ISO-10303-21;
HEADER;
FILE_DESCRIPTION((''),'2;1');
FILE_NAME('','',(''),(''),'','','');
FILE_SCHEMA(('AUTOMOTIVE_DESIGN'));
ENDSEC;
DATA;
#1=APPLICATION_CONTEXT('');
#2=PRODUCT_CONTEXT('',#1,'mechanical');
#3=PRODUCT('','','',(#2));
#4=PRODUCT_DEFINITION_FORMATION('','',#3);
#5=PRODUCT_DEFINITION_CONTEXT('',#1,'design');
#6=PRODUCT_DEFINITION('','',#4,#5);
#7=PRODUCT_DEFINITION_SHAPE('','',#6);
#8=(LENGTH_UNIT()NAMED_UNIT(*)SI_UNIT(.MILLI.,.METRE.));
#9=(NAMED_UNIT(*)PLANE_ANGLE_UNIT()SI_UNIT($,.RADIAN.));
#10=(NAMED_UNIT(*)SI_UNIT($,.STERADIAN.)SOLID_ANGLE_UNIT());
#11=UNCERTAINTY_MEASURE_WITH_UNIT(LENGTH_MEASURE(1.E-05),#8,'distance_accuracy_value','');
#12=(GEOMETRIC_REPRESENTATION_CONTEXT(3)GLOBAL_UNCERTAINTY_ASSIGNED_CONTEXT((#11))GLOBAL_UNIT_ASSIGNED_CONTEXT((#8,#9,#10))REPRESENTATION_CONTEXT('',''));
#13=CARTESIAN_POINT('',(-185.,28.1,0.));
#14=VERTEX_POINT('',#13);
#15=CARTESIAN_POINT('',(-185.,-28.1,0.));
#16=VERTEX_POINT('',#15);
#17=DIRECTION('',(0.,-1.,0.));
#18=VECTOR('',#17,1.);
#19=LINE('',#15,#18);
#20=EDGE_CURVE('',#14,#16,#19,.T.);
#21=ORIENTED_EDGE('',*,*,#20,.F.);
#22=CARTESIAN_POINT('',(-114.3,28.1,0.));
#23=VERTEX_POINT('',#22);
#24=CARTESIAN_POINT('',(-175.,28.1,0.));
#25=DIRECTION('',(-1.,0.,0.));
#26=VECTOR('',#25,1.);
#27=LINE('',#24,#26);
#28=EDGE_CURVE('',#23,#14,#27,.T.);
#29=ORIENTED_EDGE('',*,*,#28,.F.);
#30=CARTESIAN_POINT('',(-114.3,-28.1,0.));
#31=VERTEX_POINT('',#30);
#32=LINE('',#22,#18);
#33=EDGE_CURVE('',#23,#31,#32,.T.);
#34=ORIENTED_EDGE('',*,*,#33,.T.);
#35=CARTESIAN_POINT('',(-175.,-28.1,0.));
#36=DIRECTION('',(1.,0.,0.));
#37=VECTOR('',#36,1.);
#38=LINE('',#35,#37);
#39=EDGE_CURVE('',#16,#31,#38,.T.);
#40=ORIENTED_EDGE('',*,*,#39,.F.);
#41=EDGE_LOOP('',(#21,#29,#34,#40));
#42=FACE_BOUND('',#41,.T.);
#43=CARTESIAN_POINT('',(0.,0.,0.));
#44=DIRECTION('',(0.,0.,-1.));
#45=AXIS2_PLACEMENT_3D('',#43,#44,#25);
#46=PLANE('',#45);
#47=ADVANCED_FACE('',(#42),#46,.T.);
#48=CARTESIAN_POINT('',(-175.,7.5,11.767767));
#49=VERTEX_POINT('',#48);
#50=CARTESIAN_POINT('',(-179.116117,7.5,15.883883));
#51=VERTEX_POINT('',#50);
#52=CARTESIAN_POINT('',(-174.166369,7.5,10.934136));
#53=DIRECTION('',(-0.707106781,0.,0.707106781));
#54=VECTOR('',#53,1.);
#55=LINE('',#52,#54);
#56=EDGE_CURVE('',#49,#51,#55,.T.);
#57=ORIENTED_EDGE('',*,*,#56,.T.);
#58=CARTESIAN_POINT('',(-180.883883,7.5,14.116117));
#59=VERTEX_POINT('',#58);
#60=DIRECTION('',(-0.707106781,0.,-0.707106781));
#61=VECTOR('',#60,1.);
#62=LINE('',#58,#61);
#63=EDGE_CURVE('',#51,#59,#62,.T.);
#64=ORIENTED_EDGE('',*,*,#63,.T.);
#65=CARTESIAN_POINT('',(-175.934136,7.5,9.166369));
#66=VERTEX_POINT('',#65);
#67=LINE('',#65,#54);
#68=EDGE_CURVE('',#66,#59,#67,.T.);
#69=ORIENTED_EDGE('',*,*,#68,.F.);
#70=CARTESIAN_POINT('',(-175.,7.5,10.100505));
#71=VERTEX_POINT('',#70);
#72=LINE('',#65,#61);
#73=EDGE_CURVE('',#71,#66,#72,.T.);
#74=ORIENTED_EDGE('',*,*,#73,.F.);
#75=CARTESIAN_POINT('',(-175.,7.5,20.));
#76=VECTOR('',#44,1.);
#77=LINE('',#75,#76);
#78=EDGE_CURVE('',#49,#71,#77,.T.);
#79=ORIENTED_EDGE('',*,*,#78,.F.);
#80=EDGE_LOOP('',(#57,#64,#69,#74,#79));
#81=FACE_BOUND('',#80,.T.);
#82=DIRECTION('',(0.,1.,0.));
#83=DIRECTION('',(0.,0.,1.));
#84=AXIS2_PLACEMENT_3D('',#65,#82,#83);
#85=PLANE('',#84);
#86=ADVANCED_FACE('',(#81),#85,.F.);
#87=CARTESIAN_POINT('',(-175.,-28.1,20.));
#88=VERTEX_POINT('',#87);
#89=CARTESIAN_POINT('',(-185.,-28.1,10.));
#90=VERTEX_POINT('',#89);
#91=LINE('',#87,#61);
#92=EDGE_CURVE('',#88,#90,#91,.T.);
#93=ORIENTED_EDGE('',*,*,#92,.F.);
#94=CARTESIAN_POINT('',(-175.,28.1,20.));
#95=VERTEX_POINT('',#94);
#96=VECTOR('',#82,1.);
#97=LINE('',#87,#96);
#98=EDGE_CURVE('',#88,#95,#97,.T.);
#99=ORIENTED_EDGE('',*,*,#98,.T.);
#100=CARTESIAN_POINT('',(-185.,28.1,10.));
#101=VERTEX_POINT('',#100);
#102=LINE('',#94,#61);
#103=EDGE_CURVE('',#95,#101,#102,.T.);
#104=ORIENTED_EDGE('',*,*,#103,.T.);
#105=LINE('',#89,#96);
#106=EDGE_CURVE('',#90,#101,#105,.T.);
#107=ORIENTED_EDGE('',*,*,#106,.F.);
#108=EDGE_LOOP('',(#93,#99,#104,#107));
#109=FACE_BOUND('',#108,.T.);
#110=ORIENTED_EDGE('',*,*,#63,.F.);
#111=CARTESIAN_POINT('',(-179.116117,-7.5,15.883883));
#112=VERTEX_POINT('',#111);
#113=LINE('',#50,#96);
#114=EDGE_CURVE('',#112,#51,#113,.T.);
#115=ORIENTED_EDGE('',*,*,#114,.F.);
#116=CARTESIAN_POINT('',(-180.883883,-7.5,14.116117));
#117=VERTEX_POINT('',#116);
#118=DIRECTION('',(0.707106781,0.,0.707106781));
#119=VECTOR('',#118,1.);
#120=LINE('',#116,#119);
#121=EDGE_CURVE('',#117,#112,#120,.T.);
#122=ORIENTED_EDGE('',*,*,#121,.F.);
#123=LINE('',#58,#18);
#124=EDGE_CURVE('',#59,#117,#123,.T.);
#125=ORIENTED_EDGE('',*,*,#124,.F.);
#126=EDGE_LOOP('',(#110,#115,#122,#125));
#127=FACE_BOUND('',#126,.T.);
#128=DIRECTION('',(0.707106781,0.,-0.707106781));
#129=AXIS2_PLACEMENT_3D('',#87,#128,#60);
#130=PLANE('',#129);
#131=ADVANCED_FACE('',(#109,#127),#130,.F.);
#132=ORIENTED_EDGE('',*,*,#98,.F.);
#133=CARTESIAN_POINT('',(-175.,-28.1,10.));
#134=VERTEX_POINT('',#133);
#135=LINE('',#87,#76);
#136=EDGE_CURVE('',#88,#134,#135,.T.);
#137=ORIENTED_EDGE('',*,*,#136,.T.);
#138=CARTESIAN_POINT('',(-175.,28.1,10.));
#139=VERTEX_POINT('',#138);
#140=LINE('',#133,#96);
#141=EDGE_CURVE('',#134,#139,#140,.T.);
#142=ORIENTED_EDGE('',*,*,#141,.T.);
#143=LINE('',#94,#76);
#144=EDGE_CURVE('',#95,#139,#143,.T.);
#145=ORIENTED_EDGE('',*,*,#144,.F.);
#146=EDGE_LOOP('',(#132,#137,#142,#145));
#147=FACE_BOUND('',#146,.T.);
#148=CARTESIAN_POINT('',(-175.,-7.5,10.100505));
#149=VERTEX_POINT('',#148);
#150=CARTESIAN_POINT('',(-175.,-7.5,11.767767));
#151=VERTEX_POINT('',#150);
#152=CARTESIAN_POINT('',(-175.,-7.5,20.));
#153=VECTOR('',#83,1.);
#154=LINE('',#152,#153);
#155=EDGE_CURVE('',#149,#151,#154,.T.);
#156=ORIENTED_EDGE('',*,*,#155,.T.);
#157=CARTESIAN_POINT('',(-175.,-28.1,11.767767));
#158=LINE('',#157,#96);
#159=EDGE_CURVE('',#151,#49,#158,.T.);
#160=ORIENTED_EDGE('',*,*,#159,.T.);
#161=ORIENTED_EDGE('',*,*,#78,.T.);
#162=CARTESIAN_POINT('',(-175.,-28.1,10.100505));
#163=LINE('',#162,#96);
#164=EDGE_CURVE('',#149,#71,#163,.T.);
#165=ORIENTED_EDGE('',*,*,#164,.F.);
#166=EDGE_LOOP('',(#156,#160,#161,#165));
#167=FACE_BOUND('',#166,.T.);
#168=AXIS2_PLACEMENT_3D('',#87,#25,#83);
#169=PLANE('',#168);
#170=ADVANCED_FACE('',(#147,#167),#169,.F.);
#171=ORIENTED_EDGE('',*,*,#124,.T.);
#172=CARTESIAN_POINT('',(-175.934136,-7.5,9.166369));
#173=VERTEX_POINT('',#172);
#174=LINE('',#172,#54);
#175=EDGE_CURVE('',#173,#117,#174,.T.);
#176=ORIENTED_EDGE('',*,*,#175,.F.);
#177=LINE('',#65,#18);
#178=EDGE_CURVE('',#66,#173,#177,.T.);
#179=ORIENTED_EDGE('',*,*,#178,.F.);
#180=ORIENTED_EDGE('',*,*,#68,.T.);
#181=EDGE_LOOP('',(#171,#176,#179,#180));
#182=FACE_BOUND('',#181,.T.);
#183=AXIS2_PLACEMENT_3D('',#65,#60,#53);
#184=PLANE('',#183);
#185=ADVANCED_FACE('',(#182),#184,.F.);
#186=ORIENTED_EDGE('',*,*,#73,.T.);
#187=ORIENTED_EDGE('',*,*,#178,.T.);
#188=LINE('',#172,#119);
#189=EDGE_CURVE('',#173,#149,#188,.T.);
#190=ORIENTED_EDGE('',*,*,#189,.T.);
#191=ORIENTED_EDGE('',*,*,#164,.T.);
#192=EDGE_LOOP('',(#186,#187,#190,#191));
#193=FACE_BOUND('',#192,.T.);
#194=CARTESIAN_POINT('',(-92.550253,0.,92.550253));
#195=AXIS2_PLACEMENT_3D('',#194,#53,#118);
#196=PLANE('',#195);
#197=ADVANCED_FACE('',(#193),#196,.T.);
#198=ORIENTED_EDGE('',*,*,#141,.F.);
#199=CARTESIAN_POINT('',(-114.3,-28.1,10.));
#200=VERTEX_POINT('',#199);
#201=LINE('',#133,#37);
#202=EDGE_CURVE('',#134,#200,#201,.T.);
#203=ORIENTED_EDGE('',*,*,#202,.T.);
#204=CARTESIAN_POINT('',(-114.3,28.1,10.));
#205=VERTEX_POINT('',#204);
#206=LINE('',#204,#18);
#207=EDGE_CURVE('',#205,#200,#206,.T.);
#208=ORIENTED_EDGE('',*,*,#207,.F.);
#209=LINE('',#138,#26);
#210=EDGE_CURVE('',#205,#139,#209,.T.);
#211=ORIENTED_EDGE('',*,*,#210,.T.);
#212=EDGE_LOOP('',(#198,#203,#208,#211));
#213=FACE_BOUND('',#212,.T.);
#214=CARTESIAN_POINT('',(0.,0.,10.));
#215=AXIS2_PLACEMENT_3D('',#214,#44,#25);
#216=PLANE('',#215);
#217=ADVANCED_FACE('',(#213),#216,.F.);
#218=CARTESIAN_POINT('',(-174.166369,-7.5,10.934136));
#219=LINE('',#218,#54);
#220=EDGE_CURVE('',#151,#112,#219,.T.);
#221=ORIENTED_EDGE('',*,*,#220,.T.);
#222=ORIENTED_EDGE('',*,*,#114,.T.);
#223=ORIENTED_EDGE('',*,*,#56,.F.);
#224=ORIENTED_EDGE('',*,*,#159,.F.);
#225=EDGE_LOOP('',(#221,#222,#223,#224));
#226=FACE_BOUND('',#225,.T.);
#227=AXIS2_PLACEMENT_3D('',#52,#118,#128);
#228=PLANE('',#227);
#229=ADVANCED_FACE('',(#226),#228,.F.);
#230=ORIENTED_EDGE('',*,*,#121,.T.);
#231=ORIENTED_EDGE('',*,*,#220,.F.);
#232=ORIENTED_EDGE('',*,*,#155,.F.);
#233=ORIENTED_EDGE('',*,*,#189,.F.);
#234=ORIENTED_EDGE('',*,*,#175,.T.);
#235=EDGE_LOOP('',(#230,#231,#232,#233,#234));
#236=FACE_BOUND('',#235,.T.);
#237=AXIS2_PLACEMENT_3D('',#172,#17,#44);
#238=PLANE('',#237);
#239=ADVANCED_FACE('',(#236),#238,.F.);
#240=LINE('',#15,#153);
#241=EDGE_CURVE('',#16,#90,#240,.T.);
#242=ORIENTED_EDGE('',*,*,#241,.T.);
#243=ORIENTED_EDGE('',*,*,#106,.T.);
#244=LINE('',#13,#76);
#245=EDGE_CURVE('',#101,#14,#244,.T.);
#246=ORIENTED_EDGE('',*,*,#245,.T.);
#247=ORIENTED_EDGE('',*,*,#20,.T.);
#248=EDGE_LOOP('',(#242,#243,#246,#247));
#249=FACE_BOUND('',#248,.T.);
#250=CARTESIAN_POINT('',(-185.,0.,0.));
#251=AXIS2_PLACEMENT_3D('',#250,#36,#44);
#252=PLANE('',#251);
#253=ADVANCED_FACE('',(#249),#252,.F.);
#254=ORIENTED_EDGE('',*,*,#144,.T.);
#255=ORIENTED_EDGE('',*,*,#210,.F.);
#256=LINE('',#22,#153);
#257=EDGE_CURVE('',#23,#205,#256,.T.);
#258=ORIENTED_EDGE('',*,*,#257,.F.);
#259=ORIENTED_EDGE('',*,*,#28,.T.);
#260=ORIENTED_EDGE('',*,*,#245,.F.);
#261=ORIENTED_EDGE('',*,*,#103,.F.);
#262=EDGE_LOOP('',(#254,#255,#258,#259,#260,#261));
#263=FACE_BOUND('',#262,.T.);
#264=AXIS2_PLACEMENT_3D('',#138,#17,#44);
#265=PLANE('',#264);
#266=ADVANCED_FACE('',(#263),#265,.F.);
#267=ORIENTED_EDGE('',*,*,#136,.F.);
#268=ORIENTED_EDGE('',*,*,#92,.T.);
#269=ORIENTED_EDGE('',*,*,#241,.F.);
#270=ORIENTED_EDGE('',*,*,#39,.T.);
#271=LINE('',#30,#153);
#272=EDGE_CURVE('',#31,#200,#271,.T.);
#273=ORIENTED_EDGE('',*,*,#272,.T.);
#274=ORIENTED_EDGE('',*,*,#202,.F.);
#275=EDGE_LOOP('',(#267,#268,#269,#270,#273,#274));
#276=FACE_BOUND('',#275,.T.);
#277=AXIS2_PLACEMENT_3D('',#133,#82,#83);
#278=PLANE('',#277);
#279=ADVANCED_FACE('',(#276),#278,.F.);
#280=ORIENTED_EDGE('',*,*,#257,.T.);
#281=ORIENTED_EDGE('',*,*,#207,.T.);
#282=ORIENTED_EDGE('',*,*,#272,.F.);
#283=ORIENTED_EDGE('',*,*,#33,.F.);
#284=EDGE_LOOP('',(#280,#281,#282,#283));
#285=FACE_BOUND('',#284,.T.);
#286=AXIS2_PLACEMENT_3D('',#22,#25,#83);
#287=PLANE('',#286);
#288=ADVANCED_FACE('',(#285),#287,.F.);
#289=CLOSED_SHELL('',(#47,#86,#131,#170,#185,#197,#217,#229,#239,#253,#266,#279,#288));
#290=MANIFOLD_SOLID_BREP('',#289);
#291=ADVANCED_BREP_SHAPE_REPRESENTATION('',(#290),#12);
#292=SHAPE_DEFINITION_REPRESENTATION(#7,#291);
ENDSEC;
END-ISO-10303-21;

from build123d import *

# Parameters (mm, degrees)
SKETCH1_W           = 350
SKETCH1_H           = 56.2
BOSS_EXTRUDE1_DEPTH = 10
SKETCH2_W           = 56.2
SKETCH2_H           = 56.2
CUT_EXTRUDE1_DEPTH  = 5
SKETCH3_W           = 10
SKETCH3_H           = 56.2
BOSS_EXTRUDE2_DEPTH = 10
SKETCH4_W           = 10
SKETCH4_H           = 56.2
BOSS_EXTRUDE3_DEPTH = 10
CUT_EXTRUDE2_DEPTH  = 56.2
SKETCH6_W           = 10
SKETCH6_H           = 56.2
BOSS_EXTRUDE4_DEPTH = 10
SKETCH7_W           = 10
SKETCH7_H           = 56.2
BOSS_EXTRUDE5_DEPTH = 10
CUT_EXTRUDE3_DEPTH  = 56.2
SKETCH9_W           = 30
SKETCH9_H           = 30
CUT_EXTRUDE4_DEPTH  = 5
SKETCH10_R          = 3
CUT_EXTRUDE5_DEPTH  = 5
SKETCH11_W          = 2.5
SKETCH11_H          = 15
CUT_EXTRUDE6_DEPTH  = 7
SKETCH12_W          = 2.5
SKETCH12_H          = 15
CUT_EXTRUDE7_DEPTH  = 7
SKETCH14_W          = 279.3
SKETCH14_H          = 56.2
CUT_EXTRUDE10_DEPTH = 10
SKETCH15_W          = 20
SKETCH15_H          = 56.2
CUT_EXTRUDE11_DEPTH = 10


with BuildPart() as part:
    # Sketch1 → Boss-Extrude1 (new body)
    with BuildSketch(Plane.XY):
        Rectangle(SKETCH1_W, SKETCH1_H)
    extrude(amount=BOSS_EXTRUDE1_DEPTH)

    # Sketch2 → Cut-Extrude1 (cut)
    with BuildSketch(Plane.XY.offset(10)):
        Rectangle(SKETCH2_W, SKETCH2_H)
    extrude(amount=-CUT_EXTRUDE1_DEPTH, mode=Mode.SUBTRACT)

    # Sketch3 → Boss-Extrude2 (add)
    with BuildSketch(Plane(origin=(175, 0, 0), x_dir=(0, 0, -1), z_dir=(1, 0, 0))):
        with Locations((-5, 0)):
            Rectangle(SKETCH3_W, SKETCH3_H)
    extrude(amount=BOSS_EXTRUDE2_DEPTH)

    # Sketch4 → Boss-Extrude3 (add)
    with BuildSketch(Plane.XY.offset(10)):
        with Locations((180, 0)):
            Rectangle(SKETCH4_W, SKETCH4_H)
    extrude(amount=BOSS_EXTRUDE3_DEPTH)

    # Sketch5 → Cut-Extrude2 (cut)
    with BuildSketch(Plane(origin=(0, 28.1, 0), x_dir=(1, 0, 0), z_dir=(0, 1, 0))):
        Polygon((175, -20), (185, -10), (185, -20), align=None)
    extrude(amount=-CUT_EXTRUDE2_DEPTH, mode=Mode.SUBTRACT)

    # Sketch6 → Boss-Extrude4 (add)
    with BuildSketch(Plane.ZY.offset(175)):
        with Locations((5, 0)):
            Rectangle(SKETCH6_W, SKETCH6_H)
    extrude(amount=BOSS_EXTRUDE4_DEPTH)

    # Sketch7 → Boss-Extrude5 (add)
    with BuildSketch(Plane.XY.offset(10)):
        with Locations((-180, 0)):
            Rectangle(SKETCH7_W, SKETCH7_H)
    extrude(amount=BOSS_EXTRUDE5_DEPTH)

    # Sketch8 → Cut-Extrude3 (cut)
    with BuildSketch(Plane(origin=(0, 28.1, 0), x_dir=(1, 0, 0), z_dir=(0, 1, 0))):
        Polygon((-175, -20), (-185, -10), (-185, -20), align=None)
    extrude(amount=-CUT_EXTRUDE3_DEPTH, mode=Mode.SUBTRACT)

    # Sketch9 → Cut-Extrude4 (cut)
    with BuildSketch(Plane.XY.offset(5)):
        Rectangle(SKETCH9_W, SKETCH9_H)
    extrude(amount=-CUT_EXTRUDE4_DEPTH, mode=Mode.SUBTRACT)

    # Sketch10 → Cut-Extrude5 (cut)
    with BuildSketch(Plane.XY.offset(5)):
        with Locations((21.55, 21.55)):
            Circle(SKETCH10_R)
        with Locations((-21.55, -21.55)):
            Circle(SKETCH10_R)
        with Locations((-21.55, 21.55)):
            Circle(SKETCH10_R)
        with Locations((21.55, -21.55)):
            Circle(SKETCH10_R)
    extrude(amount=-CUT_EXTRUDE5_DEPTH, mode=Mode.SUBTRACT)

    # Sketch11 → Cut-Extrude6 (cut)
    with BuildSketch(Plane(origin=(97.5, 0, 97.5), x_dir=(0.7071067811865478, 0, -0.7071067811865472), z_dir=(0.7071067811865472, 0, 0.7071067811865478))):
        with Locations((116.672618896, 0)):
            Rectangle(SKETCH11_W, SKETCH11_H)
    extrude(amount=-CUT_EXTRUDE6_DEPTH, mode=Mode.SUBTRACT)

    # Sketch12 → Cut-Extrude7 (cut)
    with BuildSketch(Plane(origin=(-97.5, 0, 97.5), x_dir=(0.7071067811865478, 0, 0.7071067811865472), z_dir=(-0.7071067811865472, 0, 0.7071067811865478))):
        with Locations((-116.672618896, 0)):
            Rectangle(SKETCH12_W, SKETCH12_H)
    extrude(amount=-CUT_EXTRUDE7_DEPTH, mode=Mode.SUBTRACT)

    # Sketch14 → Cut-Extrude10 (cut)
    with BuildSketch(Plane.XY.offset(10)):
        with Locations((45.35, 0)):
            Rectangle(SKETCH14_W, SKETCH14_H)
    extrude(amount=-CUT_EXTRUDE10_DEPTH, mode=Mode.SUBTRACT)


with BuildPart() as body_2:
    # of the pieces the cut leaves, the one that is kept (cut_extrude10_keep)
    add(part.part.solids().sort_by_distance((-185, -28.1, 0))[0])

    # Sketch15 → Cut-Extrude11 (cut)
    with BuildSketch(Plane.XY.offset(10)):
        with Locations((-104.3, 0)):
            Rectangle(SKETCH15_W, SKETCH15_H)
    extrude(amount=-CUT_EXTRUDE11_DEPTH, mode=Mode.SUBTRACT)


solid = body_2.part
